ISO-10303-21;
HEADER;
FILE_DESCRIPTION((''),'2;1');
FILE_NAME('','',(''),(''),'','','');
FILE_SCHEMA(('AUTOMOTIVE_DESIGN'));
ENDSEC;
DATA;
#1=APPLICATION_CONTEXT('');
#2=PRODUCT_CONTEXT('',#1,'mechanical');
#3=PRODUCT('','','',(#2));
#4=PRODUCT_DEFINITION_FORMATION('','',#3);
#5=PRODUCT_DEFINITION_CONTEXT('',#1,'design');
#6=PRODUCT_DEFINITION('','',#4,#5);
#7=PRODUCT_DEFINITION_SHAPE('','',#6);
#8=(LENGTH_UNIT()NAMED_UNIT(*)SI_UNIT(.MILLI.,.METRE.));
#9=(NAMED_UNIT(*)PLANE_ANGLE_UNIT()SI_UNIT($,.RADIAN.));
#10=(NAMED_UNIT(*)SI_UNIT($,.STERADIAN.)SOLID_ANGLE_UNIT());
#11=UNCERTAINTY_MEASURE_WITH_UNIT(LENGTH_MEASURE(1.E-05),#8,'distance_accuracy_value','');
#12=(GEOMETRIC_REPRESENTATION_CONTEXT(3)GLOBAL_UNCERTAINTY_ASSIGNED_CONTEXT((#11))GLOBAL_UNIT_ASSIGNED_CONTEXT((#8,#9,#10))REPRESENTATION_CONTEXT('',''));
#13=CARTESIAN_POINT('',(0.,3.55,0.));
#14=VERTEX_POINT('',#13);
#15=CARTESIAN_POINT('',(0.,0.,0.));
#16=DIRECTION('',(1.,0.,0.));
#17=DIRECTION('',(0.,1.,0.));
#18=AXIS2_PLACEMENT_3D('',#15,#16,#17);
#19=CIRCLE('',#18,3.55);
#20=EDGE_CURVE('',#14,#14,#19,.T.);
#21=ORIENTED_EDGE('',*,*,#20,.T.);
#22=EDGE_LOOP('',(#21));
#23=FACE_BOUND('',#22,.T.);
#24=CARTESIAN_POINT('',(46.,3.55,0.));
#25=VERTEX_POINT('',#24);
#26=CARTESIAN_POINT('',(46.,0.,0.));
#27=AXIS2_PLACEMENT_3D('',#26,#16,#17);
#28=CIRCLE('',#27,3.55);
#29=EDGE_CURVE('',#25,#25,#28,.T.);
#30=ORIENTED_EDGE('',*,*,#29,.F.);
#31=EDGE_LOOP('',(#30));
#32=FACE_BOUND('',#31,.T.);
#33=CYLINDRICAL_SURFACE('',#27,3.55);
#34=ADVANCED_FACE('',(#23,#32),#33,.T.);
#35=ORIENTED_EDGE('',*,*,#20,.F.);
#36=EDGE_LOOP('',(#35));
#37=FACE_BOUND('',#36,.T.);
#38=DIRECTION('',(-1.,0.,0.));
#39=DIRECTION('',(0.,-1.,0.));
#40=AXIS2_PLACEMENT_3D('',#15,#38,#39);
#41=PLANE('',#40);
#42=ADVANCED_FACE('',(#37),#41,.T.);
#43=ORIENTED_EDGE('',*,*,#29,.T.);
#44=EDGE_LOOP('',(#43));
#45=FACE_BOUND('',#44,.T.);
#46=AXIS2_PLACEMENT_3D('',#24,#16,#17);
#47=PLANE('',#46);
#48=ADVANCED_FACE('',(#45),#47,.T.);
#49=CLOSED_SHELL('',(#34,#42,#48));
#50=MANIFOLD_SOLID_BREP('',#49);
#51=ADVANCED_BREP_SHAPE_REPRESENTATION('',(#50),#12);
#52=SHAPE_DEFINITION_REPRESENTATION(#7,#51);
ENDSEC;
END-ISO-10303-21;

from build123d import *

# Parameters (mm, degrees)
ESQUISSE1_W = 46
ESQUISSE1_H = 3.55


with BuildPart() as part:
    # Esquisse1 → Révolution1 (revolve)
    with BuildSketch(Plane.XY):
        with Locations((23, 1.775)):
            Rectangle(ESQUISSE1_W, ESQUISSE1_H)
    revolve(axis=Axis((46, 0, 0), (-1, 0, 0)))


solid = part.part
